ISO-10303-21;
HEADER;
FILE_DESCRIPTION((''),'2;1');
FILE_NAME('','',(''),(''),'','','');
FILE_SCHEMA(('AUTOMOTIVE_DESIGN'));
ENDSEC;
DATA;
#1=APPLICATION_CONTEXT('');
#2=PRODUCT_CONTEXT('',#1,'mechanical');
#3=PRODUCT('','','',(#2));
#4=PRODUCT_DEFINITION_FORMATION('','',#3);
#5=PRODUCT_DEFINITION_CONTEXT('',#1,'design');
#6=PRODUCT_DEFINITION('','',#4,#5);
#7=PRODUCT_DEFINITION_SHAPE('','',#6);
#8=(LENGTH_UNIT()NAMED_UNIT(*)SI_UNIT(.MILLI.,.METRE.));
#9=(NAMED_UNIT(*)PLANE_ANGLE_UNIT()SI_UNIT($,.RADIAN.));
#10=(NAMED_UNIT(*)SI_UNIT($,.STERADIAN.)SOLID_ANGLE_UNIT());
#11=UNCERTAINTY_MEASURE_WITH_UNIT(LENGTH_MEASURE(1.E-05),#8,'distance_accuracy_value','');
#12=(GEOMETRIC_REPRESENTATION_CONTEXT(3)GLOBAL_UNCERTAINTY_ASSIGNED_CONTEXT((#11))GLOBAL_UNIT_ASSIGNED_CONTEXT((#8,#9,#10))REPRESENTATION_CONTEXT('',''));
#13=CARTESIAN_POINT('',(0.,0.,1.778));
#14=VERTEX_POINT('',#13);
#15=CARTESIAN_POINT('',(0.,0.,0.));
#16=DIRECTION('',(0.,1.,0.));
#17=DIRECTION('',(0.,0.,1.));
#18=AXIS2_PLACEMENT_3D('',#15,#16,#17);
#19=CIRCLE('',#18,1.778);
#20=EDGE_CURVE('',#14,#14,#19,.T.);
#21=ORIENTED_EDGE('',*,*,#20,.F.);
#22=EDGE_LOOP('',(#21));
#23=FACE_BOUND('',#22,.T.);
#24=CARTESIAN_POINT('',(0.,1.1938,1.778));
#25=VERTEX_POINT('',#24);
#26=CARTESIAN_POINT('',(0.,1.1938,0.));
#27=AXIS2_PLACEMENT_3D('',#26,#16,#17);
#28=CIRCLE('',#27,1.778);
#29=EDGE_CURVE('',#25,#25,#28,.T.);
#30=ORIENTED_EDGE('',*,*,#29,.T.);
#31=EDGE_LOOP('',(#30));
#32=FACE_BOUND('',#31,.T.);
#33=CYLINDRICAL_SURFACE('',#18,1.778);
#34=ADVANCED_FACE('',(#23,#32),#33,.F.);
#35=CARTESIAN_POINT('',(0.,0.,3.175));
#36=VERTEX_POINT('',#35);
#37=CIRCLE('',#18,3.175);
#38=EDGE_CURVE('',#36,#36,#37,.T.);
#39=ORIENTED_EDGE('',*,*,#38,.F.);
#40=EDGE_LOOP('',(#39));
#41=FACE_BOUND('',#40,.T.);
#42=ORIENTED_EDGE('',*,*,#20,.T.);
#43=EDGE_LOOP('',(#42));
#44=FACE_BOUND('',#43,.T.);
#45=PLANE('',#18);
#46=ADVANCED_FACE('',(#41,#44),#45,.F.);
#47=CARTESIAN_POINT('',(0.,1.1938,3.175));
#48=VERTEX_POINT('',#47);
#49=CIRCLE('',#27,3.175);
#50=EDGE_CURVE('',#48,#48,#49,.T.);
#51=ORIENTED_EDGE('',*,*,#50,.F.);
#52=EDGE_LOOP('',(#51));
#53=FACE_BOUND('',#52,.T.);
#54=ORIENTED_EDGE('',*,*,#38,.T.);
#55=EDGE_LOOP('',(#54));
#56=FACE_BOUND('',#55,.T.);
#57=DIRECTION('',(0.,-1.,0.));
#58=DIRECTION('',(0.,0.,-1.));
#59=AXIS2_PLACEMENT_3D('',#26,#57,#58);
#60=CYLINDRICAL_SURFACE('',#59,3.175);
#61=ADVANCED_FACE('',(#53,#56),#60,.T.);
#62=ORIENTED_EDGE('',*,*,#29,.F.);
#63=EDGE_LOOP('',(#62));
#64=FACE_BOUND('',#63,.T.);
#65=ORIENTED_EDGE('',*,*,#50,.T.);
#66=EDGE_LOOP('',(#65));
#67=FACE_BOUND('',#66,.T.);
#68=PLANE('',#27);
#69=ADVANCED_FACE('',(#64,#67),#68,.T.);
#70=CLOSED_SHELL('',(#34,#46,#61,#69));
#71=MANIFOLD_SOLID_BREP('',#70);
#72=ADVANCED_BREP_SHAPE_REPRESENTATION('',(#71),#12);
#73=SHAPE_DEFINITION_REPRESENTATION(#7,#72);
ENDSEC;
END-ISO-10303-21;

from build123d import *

# Parameters (mm, degrees)
SKETCH1_R          = 3.175
EXTRUDE1_DEPTH     = 1.1938
SKETCH2_R          = 1.778
CUT_EXTRUDE1_DEPTH = 1.1938


with BuildPart() as part:
    # Sketch1 → Extrude1 (new body)
    with BuildSketch(Plane(origin=(0, 0, 0), x_dir=(1, 0, 0), z_dir=(0, 1, 0))):
        Circle(SKETCH1_R)
    extrude(amount=EXTRUDE1_DEPTH)

    # Sketch2 → Cut-Extrude1 (cut)
    with BuildSketch(Plane(origin=(0, 1.1938, 0), x_dir=(-1, 0, 0), z_dir=(0, 1, 0))):
        Circle(SKETCH2_R)
    extrude(amount=-CUT_EXTRUDE1_DEPTH, mode=Mode.SUBTRACT)


solid = part.part
